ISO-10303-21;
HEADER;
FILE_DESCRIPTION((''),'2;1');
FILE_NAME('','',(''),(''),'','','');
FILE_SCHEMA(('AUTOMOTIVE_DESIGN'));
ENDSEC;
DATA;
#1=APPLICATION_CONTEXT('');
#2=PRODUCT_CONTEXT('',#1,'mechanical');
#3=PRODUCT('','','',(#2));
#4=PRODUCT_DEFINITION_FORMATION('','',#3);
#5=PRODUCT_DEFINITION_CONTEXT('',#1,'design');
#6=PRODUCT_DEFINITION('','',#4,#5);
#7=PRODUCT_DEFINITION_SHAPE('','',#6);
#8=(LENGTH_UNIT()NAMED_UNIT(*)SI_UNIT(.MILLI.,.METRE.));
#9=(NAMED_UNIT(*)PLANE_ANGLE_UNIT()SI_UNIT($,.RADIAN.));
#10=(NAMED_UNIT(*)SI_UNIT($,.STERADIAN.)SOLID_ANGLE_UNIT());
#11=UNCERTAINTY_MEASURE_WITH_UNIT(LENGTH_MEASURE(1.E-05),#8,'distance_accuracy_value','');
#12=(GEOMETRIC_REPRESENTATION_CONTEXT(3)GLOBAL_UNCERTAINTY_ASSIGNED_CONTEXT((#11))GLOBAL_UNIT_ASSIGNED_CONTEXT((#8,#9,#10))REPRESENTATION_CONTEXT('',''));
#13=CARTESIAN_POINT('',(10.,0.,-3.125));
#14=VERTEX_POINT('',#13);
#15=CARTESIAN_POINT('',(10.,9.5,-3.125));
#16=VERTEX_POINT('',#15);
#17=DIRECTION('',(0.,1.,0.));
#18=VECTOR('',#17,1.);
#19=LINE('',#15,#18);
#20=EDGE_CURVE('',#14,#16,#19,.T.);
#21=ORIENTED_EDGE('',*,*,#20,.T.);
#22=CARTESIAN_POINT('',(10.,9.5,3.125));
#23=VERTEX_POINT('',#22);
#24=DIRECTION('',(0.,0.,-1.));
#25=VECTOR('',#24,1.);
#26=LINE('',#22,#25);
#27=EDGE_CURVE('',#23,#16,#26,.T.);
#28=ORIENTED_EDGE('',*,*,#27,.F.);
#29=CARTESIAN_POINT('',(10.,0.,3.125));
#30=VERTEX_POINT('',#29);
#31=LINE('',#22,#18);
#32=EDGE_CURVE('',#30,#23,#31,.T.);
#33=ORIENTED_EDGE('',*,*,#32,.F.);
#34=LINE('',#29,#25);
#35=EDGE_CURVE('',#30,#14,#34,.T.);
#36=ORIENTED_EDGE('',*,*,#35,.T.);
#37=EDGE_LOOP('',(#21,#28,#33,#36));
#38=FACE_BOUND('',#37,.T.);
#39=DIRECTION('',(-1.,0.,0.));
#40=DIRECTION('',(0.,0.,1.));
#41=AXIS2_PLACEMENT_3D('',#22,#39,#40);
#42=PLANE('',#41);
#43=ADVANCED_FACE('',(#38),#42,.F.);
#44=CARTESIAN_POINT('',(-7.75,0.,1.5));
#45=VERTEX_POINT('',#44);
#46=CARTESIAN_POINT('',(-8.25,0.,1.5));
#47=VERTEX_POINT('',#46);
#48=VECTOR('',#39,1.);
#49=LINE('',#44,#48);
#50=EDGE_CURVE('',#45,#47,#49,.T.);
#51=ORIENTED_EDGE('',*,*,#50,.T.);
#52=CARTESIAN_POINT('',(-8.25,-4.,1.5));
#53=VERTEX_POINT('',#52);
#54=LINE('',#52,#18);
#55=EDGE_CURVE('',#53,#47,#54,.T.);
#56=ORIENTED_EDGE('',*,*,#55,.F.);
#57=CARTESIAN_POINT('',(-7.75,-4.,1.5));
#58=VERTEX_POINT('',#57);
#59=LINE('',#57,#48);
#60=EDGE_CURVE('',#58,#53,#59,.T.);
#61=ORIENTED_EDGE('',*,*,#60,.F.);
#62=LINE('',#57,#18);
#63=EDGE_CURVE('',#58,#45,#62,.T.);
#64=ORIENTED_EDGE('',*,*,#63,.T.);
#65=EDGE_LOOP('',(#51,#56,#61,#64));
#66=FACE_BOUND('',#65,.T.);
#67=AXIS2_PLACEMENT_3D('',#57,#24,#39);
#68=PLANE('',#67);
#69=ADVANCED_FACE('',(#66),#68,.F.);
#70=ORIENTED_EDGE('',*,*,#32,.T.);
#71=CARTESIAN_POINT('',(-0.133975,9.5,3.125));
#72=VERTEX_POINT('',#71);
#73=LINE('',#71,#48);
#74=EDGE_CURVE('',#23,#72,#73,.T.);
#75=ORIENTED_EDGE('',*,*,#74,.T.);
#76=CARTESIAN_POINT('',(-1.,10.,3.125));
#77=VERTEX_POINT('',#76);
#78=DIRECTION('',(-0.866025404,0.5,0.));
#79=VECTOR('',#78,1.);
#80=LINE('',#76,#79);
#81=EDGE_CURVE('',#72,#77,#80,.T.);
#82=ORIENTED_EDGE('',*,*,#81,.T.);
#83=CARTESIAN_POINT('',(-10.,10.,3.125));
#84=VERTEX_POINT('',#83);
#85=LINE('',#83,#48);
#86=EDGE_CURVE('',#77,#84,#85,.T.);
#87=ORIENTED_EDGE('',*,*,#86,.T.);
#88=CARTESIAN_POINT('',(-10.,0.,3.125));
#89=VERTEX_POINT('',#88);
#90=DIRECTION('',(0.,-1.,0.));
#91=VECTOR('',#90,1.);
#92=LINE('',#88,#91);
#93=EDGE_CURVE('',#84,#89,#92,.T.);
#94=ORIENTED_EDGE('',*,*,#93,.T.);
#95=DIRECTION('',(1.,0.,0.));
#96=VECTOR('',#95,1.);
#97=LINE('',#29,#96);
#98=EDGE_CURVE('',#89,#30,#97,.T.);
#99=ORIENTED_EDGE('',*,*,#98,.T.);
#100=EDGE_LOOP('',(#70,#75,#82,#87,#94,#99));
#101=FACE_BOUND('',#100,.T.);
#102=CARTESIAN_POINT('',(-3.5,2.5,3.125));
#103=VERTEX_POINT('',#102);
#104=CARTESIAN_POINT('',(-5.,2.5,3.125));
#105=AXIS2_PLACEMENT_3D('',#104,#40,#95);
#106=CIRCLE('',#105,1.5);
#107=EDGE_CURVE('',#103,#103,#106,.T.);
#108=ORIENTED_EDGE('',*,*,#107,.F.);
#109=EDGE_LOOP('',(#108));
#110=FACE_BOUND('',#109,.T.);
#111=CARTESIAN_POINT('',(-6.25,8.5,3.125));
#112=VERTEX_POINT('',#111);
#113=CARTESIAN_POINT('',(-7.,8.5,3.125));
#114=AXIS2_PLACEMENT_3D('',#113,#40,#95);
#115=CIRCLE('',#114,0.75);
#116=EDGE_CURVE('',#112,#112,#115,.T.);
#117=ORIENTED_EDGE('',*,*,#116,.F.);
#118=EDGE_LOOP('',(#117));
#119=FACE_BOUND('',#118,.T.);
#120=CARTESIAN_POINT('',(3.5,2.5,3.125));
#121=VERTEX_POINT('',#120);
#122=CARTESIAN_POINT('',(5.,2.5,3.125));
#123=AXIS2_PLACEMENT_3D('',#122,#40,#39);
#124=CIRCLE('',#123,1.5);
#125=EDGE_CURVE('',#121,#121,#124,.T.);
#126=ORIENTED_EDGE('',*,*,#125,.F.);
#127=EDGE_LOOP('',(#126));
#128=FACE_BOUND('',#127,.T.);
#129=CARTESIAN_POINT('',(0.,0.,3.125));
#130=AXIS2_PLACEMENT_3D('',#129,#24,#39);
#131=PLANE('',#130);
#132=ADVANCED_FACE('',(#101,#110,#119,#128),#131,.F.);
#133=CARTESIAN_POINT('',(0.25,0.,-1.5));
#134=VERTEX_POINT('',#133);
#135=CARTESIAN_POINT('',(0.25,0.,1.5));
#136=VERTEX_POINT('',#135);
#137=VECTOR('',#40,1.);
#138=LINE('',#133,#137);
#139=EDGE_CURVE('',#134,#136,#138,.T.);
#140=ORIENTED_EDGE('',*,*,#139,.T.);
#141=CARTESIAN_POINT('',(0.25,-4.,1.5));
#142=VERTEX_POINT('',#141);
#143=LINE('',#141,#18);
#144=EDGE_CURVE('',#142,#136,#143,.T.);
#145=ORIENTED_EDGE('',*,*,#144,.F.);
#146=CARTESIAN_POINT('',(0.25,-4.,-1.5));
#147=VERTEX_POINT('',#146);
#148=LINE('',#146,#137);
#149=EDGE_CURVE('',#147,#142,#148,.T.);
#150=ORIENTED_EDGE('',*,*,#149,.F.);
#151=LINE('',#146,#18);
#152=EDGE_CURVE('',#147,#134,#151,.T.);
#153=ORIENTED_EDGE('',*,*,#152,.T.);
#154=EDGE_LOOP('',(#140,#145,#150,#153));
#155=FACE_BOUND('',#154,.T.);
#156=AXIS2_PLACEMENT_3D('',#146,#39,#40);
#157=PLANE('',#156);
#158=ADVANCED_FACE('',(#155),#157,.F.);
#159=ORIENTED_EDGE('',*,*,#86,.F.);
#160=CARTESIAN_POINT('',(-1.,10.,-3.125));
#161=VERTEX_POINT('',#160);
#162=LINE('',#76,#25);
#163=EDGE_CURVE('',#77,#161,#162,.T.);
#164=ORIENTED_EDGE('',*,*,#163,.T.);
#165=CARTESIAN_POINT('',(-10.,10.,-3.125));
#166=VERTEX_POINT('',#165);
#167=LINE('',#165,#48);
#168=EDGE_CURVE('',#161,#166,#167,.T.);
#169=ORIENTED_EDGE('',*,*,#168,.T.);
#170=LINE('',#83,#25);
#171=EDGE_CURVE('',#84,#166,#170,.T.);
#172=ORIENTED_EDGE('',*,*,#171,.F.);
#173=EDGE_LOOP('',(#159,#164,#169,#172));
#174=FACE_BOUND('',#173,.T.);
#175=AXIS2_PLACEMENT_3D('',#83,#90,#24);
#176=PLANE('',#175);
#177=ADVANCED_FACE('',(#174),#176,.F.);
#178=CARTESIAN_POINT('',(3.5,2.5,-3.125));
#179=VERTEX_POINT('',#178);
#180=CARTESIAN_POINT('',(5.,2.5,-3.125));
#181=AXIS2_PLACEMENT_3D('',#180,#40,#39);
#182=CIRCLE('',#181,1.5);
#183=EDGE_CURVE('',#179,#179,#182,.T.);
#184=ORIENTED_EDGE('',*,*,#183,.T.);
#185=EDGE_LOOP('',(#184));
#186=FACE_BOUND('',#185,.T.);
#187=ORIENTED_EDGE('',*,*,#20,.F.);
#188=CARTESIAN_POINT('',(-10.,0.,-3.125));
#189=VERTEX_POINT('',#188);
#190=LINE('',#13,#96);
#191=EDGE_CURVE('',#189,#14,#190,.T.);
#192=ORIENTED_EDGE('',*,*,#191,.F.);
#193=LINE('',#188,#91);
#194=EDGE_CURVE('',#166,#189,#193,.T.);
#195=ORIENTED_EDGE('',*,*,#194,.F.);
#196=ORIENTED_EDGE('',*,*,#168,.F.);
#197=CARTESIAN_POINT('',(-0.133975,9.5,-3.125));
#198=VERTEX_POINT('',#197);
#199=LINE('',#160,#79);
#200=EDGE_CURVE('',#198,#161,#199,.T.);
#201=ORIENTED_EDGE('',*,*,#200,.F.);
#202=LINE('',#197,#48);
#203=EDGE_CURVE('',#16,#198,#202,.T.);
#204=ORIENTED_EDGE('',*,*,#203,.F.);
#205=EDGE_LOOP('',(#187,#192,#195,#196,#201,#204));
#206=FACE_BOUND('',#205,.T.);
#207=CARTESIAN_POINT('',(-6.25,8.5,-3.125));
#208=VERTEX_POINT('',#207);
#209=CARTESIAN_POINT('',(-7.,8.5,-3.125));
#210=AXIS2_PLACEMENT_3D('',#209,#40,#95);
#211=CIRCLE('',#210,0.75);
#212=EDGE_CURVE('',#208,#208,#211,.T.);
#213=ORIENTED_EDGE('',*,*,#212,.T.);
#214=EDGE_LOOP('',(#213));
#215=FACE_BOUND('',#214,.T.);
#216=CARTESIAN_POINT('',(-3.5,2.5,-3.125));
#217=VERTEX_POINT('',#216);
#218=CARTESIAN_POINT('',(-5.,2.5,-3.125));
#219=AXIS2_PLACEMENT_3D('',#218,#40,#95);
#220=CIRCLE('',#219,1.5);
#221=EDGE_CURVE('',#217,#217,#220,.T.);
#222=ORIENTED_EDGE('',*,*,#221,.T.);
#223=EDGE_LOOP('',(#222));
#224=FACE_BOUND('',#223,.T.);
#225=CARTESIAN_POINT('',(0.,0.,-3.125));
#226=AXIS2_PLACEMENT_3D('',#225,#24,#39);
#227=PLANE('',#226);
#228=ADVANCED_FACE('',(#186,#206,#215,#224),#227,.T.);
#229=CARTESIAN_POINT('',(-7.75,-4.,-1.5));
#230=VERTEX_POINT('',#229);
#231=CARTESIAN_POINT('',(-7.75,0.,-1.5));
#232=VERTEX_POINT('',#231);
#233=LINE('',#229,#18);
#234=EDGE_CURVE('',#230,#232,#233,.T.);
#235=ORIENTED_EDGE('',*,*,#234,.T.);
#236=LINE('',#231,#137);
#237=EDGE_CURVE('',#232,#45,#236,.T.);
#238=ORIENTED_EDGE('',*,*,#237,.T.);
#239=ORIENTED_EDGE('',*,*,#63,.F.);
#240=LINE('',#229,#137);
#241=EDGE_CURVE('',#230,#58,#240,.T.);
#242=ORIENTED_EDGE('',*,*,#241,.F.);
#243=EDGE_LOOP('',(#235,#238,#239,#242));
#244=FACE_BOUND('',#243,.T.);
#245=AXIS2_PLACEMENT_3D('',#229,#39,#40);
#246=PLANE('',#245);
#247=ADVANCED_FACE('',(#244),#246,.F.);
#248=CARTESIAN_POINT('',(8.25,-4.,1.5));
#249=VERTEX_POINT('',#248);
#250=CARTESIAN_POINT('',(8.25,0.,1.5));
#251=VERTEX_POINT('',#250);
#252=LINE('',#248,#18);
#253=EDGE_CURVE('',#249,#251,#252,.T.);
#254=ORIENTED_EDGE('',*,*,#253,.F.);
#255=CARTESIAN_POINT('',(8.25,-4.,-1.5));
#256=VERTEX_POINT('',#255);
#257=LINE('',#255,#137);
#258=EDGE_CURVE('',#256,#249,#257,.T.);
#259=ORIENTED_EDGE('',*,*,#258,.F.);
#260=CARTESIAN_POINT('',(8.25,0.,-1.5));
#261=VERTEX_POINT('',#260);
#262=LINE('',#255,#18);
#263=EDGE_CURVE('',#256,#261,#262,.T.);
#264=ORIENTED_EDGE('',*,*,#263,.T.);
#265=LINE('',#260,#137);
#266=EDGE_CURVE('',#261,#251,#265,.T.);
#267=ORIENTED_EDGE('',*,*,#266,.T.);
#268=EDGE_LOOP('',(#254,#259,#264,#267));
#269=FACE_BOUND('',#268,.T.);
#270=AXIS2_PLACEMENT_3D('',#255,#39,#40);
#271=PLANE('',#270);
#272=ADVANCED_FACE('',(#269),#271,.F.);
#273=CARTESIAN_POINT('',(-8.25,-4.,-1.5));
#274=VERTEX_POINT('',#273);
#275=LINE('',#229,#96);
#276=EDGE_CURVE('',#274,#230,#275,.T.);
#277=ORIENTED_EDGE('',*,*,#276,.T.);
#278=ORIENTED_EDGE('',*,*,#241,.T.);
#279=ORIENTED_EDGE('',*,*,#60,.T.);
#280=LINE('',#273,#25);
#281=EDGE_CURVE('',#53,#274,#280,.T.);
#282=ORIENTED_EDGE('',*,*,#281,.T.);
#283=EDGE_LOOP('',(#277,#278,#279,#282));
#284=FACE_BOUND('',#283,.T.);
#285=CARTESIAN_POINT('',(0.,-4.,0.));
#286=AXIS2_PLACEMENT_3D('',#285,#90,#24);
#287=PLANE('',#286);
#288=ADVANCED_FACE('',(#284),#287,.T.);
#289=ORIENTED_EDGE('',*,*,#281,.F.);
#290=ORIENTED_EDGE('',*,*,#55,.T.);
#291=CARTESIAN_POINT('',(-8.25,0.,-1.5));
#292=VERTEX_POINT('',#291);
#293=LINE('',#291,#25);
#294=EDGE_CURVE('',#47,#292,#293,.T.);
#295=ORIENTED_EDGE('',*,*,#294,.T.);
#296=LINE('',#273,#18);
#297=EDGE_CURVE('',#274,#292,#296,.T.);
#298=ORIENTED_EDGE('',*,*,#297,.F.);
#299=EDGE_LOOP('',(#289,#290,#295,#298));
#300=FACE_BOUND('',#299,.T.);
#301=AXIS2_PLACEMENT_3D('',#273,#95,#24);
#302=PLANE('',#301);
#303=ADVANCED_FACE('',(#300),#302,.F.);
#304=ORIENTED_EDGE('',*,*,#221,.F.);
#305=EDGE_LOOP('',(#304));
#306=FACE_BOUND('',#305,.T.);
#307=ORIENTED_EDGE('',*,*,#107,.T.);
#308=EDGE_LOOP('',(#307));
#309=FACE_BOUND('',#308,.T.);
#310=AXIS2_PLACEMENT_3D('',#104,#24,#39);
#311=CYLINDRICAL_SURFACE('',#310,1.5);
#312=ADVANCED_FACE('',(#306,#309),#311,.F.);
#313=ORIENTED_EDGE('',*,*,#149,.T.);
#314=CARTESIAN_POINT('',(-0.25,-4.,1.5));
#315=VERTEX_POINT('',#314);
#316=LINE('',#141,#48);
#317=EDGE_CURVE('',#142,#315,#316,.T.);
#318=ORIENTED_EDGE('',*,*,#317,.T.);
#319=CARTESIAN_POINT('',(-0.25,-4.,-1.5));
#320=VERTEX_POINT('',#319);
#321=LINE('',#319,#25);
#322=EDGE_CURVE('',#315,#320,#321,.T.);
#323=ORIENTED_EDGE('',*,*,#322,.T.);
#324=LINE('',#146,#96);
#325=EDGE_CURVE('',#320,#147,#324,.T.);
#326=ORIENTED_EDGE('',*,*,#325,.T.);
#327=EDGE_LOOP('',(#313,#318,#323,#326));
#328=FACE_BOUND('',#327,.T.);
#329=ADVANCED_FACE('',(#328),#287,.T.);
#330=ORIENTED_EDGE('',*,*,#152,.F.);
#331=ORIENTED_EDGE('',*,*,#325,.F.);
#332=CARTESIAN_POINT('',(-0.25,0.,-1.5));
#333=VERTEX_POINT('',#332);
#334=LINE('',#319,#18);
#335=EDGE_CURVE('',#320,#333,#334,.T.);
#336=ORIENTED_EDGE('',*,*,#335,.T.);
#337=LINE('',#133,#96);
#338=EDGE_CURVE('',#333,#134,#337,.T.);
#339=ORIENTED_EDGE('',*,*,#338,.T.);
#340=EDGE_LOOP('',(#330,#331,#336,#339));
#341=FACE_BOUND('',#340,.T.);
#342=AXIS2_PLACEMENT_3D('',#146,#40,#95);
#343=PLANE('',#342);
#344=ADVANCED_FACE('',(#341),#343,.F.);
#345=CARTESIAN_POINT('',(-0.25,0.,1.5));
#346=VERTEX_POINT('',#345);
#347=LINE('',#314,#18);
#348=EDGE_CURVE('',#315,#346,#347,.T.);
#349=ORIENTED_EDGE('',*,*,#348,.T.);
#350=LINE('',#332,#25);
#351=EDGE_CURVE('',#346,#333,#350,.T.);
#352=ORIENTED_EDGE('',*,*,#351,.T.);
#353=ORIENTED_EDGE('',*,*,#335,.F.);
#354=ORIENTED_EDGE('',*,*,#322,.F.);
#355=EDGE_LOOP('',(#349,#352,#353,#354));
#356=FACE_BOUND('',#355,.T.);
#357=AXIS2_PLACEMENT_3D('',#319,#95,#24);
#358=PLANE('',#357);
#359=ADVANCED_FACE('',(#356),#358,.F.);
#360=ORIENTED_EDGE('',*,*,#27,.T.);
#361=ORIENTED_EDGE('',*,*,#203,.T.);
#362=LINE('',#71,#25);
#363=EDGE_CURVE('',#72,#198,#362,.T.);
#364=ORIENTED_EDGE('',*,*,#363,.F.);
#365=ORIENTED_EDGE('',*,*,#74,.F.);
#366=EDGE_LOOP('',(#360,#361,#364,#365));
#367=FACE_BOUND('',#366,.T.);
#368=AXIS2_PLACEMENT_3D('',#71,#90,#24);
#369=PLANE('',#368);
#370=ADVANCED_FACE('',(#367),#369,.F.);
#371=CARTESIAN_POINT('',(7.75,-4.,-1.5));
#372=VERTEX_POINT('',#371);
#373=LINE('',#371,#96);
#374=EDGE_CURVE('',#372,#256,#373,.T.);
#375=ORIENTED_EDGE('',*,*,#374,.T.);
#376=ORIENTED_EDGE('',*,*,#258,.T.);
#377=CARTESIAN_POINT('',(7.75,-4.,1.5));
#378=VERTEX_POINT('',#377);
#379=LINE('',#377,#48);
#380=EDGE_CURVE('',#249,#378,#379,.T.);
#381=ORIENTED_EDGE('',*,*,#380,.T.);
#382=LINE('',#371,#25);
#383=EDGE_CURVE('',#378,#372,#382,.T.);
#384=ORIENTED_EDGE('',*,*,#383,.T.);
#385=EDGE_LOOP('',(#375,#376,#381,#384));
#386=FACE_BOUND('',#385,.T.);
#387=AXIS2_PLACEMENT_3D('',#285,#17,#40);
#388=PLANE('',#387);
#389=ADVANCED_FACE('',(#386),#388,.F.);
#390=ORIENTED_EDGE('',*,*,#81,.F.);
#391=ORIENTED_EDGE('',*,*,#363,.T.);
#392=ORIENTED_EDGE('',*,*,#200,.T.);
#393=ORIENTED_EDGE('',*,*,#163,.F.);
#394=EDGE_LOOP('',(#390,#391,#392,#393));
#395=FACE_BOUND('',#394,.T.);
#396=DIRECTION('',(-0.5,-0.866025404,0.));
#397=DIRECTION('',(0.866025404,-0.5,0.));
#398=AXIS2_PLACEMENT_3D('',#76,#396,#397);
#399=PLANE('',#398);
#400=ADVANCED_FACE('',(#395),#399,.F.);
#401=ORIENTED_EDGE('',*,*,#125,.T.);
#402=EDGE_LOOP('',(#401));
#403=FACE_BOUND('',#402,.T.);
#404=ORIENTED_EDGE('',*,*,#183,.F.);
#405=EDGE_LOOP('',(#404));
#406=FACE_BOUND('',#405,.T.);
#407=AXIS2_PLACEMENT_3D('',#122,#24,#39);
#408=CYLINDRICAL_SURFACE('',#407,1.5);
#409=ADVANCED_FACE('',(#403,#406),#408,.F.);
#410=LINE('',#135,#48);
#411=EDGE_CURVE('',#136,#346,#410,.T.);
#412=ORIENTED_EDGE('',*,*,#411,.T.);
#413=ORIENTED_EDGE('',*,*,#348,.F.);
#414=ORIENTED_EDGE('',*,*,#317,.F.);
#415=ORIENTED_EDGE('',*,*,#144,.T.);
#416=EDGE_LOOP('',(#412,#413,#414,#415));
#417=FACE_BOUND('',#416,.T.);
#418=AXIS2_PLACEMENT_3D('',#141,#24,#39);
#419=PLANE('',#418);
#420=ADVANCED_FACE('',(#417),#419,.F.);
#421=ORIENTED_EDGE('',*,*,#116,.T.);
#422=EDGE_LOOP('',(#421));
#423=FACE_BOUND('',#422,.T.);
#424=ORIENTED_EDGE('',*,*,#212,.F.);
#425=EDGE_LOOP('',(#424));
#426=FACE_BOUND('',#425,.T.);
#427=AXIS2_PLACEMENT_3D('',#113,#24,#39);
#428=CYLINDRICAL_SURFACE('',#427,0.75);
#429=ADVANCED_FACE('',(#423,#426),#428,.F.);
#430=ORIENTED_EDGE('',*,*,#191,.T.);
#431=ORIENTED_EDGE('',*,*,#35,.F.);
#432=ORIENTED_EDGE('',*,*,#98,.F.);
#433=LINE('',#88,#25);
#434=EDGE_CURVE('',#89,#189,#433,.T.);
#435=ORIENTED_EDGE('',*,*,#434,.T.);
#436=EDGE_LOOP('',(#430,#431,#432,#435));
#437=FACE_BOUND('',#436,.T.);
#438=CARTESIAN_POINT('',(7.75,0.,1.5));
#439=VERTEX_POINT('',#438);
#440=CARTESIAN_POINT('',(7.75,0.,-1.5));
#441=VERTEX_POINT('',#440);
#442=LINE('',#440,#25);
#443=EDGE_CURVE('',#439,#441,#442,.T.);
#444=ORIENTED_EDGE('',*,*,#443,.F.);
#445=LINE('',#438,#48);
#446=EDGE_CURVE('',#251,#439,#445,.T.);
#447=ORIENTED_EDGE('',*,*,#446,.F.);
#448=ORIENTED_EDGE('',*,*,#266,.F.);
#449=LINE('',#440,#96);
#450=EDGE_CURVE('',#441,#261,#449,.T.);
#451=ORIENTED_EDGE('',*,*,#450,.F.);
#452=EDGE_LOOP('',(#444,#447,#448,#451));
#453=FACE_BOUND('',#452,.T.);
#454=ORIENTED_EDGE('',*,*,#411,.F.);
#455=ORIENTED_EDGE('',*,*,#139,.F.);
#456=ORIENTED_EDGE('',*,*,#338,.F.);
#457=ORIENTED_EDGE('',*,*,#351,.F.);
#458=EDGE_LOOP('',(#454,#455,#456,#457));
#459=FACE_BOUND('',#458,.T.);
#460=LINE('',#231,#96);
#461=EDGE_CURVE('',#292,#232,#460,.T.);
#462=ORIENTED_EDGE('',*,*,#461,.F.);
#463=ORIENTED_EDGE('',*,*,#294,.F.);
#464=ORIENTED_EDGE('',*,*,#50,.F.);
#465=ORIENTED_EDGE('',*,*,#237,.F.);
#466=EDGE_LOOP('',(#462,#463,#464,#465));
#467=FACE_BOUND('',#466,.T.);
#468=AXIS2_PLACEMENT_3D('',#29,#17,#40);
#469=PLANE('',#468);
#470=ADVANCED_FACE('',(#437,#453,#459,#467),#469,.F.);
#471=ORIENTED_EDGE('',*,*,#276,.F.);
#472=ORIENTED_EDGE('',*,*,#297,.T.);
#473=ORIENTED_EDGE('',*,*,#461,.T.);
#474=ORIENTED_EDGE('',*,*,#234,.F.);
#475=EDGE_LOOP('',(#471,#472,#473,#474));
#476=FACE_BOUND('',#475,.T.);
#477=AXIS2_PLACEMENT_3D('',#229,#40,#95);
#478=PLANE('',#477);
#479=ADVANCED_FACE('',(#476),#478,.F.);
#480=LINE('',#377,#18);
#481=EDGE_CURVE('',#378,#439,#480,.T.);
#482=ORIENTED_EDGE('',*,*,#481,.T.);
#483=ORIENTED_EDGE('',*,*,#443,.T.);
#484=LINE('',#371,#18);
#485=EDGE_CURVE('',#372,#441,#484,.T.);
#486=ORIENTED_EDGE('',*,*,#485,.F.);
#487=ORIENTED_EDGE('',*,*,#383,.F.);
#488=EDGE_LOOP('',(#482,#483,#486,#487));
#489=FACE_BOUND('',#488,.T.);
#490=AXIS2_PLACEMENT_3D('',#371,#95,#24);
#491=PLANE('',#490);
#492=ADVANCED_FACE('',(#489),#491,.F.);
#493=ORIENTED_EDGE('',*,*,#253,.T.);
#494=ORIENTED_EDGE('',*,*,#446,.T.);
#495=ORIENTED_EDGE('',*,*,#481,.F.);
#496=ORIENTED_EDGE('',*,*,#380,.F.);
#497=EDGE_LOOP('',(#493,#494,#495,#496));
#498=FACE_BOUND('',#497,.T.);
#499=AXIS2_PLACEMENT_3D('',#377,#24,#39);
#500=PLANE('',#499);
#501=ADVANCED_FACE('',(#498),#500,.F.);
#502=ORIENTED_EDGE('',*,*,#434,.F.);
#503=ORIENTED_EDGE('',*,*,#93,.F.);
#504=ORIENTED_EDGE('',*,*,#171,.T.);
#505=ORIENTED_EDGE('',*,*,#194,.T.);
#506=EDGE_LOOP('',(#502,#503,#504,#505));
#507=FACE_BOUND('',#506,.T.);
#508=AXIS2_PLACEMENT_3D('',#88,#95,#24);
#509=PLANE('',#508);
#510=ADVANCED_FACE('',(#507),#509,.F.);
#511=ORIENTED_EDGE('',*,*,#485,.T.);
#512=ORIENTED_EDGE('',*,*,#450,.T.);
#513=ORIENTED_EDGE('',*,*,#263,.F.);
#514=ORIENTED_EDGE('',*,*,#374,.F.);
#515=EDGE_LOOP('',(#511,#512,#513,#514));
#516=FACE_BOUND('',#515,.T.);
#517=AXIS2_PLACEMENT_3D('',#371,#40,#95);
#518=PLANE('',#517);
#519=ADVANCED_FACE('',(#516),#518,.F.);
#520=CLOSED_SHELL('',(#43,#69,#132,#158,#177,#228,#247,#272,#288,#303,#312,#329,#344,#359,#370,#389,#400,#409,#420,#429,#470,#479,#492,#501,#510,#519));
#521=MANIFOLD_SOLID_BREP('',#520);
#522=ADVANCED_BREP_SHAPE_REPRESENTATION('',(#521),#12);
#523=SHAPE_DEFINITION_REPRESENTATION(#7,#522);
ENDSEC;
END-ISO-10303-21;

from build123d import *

# Parameters (mm, degrees)
SKETCH1_R           = 1.5
SKETCH1_R_2         = 0.75
BOSS_EXTRUDE1_DEPTH = 3.125
SKETCH2_W           = 0.5
SKETCH2_H           = 3
BOSS_EXTRUDE2_DEPTH = 4


with BuildPart() as part:
    # Sketch1 → Boss-Extrude1 (new body, symmetric)
    with BuildSketch(Plane.XY):
        Polygon((10, 0), (-10, 0), (-10, 10), (-1, 10), (-0.133974596, 9.5), (10, 9.5), align=None)
        with Locations((-5, 2.5)):
            Circle(SKETCH1_R, mode=Mode.SUBTRACT)
        with Locations((5, 2.5)):
            Circle(SKETCH1_R, mode=Mode.SUBTRACT)
        with Locations((-7, 8.5)):
            Circle(SKETCH1_R_2, mode=Mode.SUBTRACT)
    extrude(amount=BOSS_EXTRUDE1_DEPTH, both=True)

    # Sketch2 → Boss-Extrude2 (add)
    with BuildSketch(Plane.XZ):
        Rectangle(SKETCH2_W, SKETCH2_H)
        with Locations((-8, 0)):
            Rectangle(SKETCH2_W, SKETCH2_H)
        with Locations((8, 0)):
            Rectangle(SKETCH2_W, SKETCH2_H)
    extrude(amount=BOSS_EXTRUDE2_DEPTH)


solid = part.part
